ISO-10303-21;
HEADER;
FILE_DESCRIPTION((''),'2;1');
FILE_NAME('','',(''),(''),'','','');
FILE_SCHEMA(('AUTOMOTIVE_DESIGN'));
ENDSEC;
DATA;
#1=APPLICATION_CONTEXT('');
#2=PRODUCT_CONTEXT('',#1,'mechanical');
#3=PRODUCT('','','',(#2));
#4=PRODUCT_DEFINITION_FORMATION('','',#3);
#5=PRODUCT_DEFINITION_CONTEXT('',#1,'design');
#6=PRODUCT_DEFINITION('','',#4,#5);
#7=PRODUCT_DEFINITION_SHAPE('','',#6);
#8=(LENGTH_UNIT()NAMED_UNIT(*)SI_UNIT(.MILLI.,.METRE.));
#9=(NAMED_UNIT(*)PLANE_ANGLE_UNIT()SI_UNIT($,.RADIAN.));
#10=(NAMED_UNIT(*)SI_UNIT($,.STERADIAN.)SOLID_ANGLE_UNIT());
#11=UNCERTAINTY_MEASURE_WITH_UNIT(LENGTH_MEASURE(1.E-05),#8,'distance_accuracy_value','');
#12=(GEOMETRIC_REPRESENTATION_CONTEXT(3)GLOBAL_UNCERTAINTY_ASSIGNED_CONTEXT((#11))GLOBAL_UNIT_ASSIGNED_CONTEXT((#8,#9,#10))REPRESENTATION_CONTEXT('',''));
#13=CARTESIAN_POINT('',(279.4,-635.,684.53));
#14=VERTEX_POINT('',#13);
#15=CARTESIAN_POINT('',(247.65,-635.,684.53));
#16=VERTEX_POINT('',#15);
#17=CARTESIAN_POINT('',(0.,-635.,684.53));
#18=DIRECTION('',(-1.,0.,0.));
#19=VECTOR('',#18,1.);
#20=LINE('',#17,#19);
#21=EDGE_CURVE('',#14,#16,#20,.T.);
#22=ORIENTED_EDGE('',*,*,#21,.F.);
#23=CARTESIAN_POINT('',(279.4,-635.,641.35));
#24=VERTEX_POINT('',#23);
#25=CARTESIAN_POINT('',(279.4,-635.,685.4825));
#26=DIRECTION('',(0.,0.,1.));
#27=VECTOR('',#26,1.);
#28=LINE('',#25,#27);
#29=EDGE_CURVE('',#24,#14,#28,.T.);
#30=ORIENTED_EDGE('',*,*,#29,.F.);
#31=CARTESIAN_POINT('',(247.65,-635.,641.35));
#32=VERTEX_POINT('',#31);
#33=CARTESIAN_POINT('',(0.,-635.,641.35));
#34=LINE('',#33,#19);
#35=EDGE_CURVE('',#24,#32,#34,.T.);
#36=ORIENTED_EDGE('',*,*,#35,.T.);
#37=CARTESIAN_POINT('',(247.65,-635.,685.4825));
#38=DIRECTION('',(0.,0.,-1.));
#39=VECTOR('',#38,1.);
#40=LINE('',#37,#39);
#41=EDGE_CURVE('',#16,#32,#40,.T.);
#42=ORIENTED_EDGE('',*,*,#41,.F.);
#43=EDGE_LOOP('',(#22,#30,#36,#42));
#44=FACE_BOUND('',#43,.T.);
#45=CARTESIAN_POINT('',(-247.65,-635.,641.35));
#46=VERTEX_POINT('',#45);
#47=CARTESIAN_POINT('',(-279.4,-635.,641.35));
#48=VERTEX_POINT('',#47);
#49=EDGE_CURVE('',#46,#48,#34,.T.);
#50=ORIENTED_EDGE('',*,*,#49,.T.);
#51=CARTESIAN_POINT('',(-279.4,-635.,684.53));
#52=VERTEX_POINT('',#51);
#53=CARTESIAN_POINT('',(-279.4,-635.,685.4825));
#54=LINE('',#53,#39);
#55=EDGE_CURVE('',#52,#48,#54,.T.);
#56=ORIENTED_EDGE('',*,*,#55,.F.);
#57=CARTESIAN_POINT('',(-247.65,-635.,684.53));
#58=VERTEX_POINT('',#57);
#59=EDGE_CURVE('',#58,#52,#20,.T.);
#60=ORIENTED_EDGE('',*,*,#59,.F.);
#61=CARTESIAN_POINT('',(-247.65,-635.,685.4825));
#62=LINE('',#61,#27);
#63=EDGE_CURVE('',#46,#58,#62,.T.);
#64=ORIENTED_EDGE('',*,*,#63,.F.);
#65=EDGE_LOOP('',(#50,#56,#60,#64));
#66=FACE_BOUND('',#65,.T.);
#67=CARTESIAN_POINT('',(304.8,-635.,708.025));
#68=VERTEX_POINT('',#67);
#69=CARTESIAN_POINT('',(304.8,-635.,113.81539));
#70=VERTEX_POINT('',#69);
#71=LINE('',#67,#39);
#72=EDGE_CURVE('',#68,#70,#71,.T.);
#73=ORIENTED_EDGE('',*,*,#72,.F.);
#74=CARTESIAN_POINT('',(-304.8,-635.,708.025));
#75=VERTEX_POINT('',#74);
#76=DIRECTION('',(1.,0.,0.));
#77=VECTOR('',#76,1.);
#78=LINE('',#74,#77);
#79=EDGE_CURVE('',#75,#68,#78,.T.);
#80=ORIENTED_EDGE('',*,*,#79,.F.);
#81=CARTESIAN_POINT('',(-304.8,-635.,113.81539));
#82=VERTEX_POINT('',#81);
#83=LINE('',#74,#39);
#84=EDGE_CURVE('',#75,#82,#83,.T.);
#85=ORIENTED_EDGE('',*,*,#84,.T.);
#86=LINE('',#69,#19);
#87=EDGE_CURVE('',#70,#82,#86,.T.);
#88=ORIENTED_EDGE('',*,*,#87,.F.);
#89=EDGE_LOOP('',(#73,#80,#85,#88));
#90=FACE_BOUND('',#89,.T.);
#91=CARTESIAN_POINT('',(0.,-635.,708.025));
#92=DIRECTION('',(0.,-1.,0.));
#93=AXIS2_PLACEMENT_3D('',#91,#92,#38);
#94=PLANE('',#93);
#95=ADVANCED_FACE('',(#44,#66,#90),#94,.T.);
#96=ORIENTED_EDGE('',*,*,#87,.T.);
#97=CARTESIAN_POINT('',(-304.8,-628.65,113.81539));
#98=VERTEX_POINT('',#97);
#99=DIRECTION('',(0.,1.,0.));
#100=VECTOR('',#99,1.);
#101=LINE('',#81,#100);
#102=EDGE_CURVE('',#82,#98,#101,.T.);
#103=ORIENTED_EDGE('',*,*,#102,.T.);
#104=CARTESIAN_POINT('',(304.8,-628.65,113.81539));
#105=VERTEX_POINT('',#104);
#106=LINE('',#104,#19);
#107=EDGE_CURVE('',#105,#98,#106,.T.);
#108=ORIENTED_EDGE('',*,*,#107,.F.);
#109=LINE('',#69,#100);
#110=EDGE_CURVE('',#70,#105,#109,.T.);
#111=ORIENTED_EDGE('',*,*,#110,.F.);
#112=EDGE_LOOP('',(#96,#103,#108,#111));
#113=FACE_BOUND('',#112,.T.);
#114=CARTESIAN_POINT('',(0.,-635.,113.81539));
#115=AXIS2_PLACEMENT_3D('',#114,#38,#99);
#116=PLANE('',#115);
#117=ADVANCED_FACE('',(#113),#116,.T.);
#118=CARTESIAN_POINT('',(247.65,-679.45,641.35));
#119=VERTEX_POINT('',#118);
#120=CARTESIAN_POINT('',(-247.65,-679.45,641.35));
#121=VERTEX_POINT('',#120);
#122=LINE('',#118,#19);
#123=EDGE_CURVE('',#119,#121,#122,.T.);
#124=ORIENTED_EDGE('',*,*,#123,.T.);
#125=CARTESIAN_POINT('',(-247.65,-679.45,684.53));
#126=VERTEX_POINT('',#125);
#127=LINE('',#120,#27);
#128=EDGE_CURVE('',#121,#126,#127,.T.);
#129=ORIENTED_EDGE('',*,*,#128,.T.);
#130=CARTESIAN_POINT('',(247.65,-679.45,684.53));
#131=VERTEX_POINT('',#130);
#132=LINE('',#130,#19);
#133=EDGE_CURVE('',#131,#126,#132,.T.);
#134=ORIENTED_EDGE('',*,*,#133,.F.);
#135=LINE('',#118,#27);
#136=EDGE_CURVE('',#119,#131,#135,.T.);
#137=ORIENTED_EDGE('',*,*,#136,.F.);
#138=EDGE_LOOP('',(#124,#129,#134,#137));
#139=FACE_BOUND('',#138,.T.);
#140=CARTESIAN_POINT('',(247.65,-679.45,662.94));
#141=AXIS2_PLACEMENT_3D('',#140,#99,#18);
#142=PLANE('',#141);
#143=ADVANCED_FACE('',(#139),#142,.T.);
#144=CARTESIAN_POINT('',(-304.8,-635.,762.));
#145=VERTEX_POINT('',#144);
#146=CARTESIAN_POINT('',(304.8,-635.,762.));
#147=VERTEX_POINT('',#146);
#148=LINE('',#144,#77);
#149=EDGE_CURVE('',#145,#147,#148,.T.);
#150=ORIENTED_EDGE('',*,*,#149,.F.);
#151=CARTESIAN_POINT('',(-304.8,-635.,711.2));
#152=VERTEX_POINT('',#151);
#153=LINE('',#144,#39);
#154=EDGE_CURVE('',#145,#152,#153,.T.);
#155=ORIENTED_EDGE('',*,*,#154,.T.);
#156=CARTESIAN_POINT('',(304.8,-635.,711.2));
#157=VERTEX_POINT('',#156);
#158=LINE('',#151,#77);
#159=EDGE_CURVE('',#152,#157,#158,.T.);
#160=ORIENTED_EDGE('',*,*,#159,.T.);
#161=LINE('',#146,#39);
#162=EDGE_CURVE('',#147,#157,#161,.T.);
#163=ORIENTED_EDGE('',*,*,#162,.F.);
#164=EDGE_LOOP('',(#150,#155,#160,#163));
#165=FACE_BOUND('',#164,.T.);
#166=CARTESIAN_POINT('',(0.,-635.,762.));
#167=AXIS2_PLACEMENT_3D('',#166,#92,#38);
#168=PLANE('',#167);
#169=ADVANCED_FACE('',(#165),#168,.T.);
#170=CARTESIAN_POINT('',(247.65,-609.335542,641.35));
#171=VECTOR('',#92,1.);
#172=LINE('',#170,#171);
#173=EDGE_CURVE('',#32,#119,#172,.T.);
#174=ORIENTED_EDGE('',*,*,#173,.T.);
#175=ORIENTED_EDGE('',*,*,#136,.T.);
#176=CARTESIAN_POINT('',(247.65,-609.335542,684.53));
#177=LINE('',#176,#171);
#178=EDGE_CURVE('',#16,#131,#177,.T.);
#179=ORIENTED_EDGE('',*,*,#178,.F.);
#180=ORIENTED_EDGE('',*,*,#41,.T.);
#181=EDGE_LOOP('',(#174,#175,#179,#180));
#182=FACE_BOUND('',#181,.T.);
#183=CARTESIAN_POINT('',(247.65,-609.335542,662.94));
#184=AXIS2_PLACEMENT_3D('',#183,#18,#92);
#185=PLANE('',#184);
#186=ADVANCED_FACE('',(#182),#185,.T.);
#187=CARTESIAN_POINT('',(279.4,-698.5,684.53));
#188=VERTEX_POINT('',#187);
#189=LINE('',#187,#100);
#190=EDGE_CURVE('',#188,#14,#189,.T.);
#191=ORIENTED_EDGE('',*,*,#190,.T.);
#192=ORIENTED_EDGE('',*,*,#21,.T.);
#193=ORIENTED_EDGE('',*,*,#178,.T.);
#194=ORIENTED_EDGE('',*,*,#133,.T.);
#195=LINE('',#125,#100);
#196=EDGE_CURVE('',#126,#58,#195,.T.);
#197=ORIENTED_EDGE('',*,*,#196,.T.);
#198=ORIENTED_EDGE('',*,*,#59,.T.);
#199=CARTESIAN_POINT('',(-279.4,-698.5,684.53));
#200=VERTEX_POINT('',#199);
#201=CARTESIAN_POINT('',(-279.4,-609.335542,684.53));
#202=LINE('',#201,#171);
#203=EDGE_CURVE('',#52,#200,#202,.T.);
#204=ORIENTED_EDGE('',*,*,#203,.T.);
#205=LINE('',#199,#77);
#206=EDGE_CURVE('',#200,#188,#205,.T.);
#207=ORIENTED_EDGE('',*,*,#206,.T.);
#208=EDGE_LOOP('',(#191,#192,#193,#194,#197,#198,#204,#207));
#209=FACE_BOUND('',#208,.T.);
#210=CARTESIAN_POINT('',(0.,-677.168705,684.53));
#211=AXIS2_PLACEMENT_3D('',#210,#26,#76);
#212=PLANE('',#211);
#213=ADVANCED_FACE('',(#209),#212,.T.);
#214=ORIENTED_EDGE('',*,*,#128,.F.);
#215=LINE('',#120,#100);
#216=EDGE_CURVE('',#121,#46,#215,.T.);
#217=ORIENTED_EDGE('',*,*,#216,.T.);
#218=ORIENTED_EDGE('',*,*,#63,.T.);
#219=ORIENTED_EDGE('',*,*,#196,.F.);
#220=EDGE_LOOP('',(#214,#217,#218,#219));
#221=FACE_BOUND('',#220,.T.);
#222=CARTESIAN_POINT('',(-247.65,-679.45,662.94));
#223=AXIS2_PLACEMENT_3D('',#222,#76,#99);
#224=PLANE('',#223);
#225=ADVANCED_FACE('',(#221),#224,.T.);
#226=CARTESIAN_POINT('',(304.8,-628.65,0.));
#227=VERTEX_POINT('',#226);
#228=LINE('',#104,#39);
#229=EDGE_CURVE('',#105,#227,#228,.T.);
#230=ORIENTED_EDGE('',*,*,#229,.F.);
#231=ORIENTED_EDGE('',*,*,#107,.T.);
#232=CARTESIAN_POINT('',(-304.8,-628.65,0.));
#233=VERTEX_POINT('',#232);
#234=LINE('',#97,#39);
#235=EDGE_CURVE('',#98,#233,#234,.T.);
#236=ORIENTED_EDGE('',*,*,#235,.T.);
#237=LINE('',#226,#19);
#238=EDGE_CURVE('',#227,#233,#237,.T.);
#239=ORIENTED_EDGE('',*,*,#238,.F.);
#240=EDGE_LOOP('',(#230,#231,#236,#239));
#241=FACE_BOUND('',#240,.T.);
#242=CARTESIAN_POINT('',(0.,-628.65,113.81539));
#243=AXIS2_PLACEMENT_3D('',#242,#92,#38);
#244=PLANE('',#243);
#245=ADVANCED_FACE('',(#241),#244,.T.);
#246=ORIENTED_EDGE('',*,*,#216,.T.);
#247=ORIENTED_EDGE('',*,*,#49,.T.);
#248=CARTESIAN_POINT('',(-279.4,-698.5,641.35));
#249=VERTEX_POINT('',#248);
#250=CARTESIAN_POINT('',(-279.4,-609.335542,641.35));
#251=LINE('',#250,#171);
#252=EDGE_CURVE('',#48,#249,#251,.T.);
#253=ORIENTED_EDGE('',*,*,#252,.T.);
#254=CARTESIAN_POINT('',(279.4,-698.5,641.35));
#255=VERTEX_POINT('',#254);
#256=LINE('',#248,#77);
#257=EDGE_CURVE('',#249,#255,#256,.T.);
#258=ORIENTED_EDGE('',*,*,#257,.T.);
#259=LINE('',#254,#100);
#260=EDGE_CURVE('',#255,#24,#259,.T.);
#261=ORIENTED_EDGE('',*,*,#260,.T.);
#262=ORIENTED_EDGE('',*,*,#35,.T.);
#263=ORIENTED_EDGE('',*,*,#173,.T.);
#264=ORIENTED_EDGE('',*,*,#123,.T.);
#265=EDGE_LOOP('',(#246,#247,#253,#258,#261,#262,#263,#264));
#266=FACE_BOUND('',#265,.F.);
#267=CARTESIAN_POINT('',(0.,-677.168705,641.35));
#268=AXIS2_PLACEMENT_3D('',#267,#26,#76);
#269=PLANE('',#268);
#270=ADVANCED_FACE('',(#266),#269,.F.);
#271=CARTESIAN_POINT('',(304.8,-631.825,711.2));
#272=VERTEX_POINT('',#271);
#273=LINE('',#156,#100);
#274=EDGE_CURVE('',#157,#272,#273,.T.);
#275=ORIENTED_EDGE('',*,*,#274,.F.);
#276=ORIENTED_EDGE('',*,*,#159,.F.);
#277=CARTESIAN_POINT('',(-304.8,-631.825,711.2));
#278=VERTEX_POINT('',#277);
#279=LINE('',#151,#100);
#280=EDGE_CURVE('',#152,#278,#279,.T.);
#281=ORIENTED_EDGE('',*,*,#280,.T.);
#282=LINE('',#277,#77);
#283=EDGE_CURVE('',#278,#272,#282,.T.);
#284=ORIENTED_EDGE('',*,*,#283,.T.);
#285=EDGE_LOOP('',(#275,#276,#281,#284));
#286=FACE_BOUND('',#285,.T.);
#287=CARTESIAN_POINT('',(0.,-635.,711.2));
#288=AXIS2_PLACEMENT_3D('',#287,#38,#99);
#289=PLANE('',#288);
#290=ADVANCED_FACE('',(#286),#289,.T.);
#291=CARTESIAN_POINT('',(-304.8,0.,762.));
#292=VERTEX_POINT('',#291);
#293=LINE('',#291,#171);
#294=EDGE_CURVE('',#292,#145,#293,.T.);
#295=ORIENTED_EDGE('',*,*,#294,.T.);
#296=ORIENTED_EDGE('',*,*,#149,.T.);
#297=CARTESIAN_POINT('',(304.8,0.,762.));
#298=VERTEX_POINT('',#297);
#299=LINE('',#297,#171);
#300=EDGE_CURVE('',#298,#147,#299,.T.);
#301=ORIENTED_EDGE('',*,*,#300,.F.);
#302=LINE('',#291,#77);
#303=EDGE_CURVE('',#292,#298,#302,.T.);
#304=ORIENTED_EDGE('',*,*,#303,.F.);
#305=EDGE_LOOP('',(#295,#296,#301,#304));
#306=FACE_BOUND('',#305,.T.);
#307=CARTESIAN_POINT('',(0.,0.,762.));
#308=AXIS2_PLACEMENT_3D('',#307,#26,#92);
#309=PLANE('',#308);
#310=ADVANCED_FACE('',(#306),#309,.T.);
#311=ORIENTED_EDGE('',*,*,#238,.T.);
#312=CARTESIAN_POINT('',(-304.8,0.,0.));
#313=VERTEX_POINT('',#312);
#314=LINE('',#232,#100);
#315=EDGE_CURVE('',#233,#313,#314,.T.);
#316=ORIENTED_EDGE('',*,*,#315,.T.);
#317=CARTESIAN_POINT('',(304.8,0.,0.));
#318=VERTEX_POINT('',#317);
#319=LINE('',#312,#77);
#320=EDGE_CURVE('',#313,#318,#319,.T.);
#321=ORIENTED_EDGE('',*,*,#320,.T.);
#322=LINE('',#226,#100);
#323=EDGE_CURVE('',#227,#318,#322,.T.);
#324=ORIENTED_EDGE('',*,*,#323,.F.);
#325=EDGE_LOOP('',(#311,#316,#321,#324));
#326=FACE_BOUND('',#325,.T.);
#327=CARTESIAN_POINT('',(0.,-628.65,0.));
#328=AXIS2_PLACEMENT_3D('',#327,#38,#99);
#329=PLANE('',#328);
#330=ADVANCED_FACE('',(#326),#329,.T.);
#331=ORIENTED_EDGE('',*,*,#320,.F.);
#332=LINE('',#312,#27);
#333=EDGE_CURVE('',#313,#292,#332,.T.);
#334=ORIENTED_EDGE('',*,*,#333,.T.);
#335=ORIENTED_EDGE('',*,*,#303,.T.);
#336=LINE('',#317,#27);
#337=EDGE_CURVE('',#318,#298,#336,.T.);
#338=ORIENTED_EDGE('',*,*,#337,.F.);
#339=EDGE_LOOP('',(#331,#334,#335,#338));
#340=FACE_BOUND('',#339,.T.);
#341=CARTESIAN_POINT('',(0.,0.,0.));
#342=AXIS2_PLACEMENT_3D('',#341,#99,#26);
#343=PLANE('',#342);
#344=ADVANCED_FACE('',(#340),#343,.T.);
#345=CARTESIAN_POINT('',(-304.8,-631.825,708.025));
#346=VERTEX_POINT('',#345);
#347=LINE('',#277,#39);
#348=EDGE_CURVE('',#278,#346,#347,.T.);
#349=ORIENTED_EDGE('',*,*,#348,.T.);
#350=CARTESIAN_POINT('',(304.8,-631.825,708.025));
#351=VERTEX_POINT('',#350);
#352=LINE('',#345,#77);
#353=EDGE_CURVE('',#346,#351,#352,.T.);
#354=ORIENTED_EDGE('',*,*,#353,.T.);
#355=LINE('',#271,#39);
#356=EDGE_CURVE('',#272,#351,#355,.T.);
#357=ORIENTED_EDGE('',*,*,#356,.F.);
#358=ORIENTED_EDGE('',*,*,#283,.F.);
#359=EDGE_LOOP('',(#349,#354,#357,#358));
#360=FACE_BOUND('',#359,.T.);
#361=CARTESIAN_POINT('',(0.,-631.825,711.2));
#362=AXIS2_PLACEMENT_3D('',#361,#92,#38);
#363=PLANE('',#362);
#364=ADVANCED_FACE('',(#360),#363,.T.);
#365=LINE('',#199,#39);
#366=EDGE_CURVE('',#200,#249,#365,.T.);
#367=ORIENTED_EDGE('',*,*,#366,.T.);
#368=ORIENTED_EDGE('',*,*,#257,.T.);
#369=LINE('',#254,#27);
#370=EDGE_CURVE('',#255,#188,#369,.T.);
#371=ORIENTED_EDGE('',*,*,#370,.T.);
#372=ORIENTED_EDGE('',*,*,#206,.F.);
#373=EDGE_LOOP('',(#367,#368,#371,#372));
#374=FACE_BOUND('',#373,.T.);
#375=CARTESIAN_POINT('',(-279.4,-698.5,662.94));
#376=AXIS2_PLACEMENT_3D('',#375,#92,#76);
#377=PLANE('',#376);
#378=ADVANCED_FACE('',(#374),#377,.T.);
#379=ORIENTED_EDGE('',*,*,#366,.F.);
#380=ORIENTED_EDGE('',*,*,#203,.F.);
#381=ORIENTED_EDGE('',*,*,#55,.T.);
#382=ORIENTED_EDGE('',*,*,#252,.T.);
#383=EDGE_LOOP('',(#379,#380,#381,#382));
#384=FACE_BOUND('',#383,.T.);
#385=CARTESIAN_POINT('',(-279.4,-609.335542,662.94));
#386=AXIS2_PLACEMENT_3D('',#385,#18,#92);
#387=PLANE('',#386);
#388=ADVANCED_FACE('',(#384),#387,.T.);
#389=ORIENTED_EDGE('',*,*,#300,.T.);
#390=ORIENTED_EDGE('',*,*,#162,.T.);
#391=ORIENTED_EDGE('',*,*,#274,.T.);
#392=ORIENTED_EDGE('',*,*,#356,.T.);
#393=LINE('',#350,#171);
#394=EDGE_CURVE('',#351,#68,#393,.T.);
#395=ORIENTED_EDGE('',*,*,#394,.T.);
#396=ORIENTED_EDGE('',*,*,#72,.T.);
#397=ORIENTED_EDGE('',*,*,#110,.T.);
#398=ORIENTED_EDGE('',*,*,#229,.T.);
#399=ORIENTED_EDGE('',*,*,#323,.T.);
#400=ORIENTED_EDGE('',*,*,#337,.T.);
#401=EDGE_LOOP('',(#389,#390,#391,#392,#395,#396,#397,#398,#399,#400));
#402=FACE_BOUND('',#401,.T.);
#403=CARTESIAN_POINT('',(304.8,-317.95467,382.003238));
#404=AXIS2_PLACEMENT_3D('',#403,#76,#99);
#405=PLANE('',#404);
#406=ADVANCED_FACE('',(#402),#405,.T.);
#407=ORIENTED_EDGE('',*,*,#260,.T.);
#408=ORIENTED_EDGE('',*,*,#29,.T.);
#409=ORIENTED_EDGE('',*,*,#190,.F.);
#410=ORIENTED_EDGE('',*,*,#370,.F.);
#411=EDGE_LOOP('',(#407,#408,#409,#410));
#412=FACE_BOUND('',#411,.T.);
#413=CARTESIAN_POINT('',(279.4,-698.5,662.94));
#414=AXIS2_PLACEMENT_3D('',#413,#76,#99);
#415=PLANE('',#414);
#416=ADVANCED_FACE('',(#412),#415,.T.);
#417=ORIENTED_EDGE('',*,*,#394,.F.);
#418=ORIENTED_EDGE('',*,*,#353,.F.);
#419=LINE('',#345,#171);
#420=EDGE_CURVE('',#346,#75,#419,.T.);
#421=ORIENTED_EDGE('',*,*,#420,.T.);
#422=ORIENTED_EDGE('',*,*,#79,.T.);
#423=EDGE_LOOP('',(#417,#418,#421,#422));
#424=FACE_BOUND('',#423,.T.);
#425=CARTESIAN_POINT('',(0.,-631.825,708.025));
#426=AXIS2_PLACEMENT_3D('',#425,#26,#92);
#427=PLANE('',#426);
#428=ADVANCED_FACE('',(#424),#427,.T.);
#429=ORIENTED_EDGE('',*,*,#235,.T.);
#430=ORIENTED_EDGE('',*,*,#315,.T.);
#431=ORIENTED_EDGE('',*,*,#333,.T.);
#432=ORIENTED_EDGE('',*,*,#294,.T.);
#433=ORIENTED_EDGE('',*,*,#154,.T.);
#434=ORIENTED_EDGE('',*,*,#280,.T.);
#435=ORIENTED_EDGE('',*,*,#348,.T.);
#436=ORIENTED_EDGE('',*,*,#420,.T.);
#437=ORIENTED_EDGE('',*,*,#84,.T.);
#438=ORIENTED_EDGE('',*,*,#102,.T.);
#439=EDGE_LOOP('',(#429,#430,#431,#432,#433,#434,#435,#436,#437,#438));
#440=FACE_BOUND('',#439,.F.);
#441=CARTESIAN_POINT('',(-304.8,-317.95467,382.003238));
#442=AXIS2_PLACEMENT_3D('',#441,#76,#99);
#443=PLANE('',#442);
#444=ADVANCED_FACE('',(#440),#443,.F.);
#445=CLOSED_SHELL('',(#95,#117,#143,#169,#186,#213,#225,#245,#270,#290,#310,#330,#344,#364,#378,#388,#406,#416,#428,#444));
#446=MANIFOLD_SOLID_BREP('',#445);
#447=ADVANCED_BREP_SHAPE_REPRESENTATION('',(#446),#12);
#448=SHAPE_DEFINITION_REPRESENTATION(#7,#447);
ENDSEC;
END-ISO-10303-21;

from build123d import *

# Parameters (mm, degrees)
F1_DEPTH = 304.8
F4_DEPTH = 21.59


with BuildPart() as f1:
    # F0 (on Right) → F1 (new body, symmetric)
    with BuildSketch(Plane.YZ):
        Polygon((-628.65, 0), (0, 0), (0, 762), (-635, 762), (-635, 711.2), (-631.825, 711.2), (-631.825, 708.025), (-635, 708.025), (-635, 113.81539), (-628.65, 113.81539), align=None)
    extrude(amount=F1_DEPTH, both=True)

    # F3 (on offset) → F4 (join, symmetric)
    with BuildSketch(Plane.XY.offset(662.94)):
        Polygon((-279.4, -698.5), (279.4, -698.5), (279.4, -609.335542), (247.65, -609.335542), (247.65, -679.45), (-247.65, -679.45), (-247.65, -609.335542), (-279.4, -609.335542), align=None)
    extrude(amount=F4_DEPTH, both=True)


solid = f1.part
